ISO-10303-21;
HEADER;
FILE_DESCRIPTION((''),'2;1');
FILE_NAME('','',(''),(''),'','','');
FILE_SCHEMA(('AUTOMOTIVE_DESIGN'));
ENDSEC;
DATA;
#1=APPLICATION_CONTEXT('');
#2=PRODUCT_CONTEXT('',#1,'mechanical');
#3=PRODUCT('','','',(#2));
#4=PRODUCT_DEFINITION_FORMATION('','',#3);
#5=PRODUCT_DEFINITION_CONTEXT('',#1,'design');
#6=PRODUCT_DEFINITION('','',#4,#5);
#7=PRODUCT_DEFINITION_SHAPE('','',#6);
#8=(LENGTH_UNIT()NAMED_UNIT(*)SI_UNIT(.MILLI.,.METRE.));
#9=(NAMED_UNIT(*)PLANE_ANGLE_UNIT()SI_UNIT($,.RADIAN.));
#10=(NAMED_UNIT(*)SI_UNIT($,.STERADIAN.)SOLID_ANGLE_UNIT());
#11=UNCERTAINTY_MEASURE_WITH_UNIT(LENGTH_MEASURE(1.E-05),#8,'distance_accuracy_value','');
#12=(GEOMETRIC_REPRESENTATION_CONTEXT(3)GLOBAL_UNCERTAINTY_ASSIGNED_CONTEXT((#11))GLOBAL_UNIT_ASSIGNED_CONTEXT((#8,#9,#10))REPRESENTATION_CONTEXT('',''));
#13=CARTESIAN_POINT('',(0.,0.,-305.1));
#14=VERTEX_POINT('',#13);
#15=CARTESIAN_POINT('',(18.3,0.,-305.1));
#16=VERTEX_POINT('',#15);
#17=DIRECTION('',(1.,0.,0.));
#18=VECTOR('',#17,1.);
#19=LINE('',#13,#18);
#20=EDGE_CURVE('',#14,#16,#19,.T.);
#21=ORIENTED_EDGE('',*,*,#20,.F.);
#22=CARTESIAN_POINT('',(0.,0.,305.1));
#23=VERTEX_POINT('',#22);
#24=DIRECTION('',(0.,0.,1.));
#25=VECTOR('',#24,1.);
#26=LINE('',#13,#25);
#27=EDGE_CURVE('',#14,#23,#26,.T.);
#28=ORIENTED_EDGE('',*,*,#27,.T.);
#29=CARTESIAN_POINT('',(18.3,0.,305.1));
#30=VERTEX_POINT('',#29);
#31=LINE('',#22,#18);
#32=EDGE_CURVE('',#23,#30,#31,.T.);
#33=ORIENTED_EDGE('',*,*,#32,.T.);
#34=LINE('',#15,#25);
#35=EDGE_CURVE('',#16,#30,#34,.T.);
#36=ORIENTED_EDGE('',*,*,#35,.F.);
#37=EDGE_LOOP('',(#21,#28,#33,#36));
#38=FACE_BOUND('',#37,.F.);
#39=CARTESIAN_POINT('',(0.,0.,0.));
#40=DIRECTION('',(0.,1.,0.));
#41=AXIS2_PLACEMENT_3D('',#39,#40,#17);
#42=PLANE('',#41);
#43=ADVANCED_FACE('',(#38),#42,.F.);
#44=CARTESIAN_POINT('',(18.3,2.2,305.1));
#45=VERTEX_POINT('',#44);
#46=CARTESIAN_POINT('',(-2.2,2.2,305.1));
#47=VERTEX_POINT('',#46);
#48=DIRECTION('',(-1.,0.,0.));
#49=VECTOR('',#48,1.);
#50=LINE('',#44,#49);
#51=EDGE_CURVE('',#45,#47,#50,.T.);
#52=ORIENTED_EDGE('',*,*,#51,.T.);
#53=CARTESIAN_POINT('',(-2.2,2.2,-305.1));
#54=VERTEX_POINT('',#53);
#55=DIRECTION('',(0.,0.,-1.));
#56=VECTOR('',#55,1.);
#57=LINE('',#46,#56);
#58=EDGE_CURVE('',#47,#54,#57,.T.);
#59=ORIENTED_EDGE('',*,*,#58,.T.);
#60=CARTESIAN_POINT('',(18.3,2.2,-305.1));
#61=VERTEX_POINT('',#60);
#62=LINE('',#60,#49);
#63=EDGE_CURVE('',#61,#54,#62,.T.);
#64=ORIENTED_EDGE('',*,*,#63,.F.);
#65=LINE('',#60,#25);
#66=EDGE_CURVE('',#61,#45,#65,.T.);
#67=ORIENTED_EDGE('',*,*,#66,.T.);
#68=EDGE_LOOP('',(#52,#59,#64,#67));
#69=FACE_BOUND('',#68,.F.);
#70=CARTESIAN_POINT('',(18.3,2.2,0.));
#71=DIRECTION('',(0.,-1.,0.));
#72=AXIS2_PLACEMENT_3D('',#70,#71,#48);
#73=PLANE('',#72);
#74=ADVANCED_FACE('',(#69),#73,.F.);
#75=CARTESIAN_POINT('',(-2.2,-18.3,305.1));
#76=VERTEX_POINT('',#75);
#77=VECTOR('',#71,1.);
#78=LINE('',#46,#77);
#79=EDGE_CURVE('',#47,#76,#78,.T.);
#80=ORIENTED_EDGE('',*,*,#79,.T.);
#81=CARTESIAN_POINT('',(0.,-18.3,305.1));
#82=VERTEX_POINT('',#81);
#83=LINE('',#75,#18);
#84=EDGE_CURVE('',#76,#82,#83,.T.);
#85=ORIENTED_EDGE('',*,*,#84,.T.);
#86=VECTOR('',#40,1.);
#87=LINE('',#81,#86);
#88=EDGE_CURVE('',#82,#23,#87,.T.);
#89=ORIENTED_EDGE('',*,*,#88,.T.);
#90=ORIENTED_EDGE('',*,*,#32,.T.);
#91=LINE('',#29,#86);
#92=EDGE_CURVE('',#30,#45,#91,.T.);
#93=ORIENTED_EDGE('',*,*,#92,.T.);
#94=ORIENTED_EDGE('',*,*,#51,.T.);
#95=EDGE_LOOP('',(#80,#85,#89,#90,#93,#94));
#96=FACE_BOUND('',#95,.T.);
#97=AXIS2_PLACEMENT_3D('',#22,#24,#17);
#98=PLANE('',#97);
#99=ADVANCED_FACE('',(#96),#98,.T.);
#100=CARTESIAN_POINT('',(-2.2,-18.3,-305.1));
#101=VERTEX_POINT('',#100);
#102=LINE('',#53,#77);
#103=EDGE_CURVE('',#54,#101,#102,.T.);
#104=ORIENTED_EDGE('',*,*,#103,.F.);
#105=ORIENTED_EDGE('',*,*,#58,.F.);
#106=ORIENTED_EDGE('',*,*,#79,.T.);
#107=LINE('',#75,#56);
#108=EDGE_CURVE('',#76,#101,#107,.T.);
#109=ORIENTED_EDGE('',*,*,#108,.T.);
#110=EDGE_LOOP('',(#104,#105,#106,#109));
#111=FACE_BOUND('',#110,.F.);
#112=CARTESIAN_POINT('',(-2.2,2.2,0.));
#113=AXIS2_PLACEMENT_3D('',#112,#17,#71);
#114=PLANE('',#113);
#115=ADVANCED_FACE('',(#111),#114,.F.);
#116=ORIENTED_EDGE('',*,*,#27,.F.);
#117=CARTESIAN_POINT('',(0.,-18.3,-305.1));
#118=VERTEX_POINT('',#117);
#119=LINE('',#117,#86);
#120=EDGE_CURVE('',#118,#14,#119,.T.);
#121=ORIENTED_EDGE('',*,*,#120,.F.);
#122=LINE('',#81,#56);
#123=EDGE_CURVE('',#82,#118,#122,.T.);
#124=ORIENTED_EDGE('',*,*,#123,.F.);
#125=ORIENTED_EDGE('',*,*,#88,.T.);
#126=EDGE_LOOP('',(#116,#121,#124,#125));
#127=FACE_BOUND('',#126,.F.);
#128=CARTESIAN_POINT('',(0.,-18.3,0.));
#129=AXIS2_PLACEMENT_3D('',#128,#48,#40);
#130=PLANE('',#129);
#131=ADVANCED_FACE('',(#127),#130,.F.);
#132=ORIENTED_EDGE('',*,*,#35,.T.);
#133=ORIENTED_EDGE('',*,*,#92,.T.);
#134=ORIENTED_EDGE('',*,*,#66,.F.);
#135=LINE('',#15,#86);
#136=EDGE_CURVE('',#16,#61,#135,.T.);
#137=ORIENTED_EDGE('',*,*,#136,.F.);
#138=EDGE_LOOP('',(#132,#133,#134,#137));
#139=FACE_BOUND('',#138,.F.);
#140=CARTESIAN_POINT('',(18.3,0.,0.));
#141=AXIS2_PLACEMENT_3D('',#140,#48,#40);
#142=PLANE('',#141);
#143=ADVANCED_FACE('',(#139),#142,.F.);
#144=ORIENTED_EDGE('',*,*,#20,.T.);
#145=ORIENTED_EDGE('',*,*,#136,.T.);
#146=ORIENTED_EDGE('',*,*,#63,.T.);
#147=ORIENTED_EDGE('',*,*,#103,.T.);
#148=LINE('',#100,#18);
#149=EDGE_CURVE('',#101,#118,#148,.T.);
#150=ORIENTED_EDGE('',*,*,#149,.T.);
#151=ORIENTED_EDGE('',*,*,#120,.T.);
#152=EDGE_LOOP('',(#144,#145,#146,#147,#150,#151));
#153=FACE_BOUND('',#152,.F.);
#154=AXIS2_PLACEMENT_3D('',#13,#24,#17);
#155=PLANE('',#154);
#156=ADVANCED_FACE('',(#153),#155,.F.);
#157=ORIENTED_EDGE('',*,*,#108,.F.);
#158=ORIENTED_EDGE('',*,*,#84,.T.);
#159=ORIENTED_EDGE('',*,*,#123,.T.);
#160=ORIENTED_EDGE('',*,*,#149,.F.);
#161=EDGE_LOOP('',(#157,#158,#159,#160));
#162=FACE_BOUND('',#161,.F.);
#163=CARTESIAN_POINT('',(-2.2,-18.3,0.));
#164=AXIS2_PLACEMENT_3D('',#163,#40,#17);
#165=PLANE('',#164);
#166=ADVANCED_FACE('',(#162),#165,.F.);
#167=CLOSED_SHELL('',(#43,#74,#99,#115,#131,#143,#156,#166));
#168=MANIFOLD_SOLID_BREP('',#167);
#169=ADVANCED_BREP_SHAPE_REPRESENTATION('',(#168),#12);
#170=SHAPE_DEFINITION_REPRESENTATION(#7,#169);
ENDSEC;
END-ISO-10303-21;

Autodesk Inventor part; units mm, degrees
ref_plane "YZ Plane" through (0, 0, 0) normal (1, 0, 0) x (0, 1, 0)
ref_plane "XZ Plane" through (0, 0, 0) normal (0, 1, 0) x (-1, 0, 0)
ref_plane "XY Plane" through (0, 0, 0) normal (0, 0, 1) x (1, 0, 0)
sketch "Esquisse1" plane through (0, 0, 0) normal (0, 0, 1) x (1, 0, 0)
  line L0 (0, 0) -> (18.3, 0)
  line L1 (18.3, 0) -> (18.3, 2.2)
  line L2 (18.3, 2.2) -> (-2.2, 2.2)
  line L3 (-2.2, 2.2) -> (-2.2, -18.3)
  line L4 (-2.2, -18.3) -> (0, -18.3)
  line L5 (0, -18.3) -> (0, 0)
  dimension "Epaisseur_cornière" = 2.2
  dimension "Largueur" = 20.5
extrude "Embase" add sketch "Esquisse1" along normal mid plane 610.2
sketch "Esquisse2" plane through (0, 0, 0) normal (0, 1, 0) x (-1, 0, 0)
  line L0 (2.2, 305.1) -> (-18.3, 284.6)
  line L1 (-18.3, 284.6) -> (-18.3, 305.1)
  line L2 (-18.3, 305.1) -> (2.2, 305.1)
  line L3 (-18.3, 305.1) -> (2.2, 305.1) construction
  line L4 (2.2, -305.1) -> (2.2, 305.1) construction
  line L5 (-18.3, -305.1) -> (-18.3, 305.1) construction
  point P0 (0, 0)
  dimension "d4" = 45
extrude "Découpe à 45" [suppressed]
mirror "Symétrie découpe" [suppressed]
properties part number "Profilé vertical" material "Aluminium 6061"
